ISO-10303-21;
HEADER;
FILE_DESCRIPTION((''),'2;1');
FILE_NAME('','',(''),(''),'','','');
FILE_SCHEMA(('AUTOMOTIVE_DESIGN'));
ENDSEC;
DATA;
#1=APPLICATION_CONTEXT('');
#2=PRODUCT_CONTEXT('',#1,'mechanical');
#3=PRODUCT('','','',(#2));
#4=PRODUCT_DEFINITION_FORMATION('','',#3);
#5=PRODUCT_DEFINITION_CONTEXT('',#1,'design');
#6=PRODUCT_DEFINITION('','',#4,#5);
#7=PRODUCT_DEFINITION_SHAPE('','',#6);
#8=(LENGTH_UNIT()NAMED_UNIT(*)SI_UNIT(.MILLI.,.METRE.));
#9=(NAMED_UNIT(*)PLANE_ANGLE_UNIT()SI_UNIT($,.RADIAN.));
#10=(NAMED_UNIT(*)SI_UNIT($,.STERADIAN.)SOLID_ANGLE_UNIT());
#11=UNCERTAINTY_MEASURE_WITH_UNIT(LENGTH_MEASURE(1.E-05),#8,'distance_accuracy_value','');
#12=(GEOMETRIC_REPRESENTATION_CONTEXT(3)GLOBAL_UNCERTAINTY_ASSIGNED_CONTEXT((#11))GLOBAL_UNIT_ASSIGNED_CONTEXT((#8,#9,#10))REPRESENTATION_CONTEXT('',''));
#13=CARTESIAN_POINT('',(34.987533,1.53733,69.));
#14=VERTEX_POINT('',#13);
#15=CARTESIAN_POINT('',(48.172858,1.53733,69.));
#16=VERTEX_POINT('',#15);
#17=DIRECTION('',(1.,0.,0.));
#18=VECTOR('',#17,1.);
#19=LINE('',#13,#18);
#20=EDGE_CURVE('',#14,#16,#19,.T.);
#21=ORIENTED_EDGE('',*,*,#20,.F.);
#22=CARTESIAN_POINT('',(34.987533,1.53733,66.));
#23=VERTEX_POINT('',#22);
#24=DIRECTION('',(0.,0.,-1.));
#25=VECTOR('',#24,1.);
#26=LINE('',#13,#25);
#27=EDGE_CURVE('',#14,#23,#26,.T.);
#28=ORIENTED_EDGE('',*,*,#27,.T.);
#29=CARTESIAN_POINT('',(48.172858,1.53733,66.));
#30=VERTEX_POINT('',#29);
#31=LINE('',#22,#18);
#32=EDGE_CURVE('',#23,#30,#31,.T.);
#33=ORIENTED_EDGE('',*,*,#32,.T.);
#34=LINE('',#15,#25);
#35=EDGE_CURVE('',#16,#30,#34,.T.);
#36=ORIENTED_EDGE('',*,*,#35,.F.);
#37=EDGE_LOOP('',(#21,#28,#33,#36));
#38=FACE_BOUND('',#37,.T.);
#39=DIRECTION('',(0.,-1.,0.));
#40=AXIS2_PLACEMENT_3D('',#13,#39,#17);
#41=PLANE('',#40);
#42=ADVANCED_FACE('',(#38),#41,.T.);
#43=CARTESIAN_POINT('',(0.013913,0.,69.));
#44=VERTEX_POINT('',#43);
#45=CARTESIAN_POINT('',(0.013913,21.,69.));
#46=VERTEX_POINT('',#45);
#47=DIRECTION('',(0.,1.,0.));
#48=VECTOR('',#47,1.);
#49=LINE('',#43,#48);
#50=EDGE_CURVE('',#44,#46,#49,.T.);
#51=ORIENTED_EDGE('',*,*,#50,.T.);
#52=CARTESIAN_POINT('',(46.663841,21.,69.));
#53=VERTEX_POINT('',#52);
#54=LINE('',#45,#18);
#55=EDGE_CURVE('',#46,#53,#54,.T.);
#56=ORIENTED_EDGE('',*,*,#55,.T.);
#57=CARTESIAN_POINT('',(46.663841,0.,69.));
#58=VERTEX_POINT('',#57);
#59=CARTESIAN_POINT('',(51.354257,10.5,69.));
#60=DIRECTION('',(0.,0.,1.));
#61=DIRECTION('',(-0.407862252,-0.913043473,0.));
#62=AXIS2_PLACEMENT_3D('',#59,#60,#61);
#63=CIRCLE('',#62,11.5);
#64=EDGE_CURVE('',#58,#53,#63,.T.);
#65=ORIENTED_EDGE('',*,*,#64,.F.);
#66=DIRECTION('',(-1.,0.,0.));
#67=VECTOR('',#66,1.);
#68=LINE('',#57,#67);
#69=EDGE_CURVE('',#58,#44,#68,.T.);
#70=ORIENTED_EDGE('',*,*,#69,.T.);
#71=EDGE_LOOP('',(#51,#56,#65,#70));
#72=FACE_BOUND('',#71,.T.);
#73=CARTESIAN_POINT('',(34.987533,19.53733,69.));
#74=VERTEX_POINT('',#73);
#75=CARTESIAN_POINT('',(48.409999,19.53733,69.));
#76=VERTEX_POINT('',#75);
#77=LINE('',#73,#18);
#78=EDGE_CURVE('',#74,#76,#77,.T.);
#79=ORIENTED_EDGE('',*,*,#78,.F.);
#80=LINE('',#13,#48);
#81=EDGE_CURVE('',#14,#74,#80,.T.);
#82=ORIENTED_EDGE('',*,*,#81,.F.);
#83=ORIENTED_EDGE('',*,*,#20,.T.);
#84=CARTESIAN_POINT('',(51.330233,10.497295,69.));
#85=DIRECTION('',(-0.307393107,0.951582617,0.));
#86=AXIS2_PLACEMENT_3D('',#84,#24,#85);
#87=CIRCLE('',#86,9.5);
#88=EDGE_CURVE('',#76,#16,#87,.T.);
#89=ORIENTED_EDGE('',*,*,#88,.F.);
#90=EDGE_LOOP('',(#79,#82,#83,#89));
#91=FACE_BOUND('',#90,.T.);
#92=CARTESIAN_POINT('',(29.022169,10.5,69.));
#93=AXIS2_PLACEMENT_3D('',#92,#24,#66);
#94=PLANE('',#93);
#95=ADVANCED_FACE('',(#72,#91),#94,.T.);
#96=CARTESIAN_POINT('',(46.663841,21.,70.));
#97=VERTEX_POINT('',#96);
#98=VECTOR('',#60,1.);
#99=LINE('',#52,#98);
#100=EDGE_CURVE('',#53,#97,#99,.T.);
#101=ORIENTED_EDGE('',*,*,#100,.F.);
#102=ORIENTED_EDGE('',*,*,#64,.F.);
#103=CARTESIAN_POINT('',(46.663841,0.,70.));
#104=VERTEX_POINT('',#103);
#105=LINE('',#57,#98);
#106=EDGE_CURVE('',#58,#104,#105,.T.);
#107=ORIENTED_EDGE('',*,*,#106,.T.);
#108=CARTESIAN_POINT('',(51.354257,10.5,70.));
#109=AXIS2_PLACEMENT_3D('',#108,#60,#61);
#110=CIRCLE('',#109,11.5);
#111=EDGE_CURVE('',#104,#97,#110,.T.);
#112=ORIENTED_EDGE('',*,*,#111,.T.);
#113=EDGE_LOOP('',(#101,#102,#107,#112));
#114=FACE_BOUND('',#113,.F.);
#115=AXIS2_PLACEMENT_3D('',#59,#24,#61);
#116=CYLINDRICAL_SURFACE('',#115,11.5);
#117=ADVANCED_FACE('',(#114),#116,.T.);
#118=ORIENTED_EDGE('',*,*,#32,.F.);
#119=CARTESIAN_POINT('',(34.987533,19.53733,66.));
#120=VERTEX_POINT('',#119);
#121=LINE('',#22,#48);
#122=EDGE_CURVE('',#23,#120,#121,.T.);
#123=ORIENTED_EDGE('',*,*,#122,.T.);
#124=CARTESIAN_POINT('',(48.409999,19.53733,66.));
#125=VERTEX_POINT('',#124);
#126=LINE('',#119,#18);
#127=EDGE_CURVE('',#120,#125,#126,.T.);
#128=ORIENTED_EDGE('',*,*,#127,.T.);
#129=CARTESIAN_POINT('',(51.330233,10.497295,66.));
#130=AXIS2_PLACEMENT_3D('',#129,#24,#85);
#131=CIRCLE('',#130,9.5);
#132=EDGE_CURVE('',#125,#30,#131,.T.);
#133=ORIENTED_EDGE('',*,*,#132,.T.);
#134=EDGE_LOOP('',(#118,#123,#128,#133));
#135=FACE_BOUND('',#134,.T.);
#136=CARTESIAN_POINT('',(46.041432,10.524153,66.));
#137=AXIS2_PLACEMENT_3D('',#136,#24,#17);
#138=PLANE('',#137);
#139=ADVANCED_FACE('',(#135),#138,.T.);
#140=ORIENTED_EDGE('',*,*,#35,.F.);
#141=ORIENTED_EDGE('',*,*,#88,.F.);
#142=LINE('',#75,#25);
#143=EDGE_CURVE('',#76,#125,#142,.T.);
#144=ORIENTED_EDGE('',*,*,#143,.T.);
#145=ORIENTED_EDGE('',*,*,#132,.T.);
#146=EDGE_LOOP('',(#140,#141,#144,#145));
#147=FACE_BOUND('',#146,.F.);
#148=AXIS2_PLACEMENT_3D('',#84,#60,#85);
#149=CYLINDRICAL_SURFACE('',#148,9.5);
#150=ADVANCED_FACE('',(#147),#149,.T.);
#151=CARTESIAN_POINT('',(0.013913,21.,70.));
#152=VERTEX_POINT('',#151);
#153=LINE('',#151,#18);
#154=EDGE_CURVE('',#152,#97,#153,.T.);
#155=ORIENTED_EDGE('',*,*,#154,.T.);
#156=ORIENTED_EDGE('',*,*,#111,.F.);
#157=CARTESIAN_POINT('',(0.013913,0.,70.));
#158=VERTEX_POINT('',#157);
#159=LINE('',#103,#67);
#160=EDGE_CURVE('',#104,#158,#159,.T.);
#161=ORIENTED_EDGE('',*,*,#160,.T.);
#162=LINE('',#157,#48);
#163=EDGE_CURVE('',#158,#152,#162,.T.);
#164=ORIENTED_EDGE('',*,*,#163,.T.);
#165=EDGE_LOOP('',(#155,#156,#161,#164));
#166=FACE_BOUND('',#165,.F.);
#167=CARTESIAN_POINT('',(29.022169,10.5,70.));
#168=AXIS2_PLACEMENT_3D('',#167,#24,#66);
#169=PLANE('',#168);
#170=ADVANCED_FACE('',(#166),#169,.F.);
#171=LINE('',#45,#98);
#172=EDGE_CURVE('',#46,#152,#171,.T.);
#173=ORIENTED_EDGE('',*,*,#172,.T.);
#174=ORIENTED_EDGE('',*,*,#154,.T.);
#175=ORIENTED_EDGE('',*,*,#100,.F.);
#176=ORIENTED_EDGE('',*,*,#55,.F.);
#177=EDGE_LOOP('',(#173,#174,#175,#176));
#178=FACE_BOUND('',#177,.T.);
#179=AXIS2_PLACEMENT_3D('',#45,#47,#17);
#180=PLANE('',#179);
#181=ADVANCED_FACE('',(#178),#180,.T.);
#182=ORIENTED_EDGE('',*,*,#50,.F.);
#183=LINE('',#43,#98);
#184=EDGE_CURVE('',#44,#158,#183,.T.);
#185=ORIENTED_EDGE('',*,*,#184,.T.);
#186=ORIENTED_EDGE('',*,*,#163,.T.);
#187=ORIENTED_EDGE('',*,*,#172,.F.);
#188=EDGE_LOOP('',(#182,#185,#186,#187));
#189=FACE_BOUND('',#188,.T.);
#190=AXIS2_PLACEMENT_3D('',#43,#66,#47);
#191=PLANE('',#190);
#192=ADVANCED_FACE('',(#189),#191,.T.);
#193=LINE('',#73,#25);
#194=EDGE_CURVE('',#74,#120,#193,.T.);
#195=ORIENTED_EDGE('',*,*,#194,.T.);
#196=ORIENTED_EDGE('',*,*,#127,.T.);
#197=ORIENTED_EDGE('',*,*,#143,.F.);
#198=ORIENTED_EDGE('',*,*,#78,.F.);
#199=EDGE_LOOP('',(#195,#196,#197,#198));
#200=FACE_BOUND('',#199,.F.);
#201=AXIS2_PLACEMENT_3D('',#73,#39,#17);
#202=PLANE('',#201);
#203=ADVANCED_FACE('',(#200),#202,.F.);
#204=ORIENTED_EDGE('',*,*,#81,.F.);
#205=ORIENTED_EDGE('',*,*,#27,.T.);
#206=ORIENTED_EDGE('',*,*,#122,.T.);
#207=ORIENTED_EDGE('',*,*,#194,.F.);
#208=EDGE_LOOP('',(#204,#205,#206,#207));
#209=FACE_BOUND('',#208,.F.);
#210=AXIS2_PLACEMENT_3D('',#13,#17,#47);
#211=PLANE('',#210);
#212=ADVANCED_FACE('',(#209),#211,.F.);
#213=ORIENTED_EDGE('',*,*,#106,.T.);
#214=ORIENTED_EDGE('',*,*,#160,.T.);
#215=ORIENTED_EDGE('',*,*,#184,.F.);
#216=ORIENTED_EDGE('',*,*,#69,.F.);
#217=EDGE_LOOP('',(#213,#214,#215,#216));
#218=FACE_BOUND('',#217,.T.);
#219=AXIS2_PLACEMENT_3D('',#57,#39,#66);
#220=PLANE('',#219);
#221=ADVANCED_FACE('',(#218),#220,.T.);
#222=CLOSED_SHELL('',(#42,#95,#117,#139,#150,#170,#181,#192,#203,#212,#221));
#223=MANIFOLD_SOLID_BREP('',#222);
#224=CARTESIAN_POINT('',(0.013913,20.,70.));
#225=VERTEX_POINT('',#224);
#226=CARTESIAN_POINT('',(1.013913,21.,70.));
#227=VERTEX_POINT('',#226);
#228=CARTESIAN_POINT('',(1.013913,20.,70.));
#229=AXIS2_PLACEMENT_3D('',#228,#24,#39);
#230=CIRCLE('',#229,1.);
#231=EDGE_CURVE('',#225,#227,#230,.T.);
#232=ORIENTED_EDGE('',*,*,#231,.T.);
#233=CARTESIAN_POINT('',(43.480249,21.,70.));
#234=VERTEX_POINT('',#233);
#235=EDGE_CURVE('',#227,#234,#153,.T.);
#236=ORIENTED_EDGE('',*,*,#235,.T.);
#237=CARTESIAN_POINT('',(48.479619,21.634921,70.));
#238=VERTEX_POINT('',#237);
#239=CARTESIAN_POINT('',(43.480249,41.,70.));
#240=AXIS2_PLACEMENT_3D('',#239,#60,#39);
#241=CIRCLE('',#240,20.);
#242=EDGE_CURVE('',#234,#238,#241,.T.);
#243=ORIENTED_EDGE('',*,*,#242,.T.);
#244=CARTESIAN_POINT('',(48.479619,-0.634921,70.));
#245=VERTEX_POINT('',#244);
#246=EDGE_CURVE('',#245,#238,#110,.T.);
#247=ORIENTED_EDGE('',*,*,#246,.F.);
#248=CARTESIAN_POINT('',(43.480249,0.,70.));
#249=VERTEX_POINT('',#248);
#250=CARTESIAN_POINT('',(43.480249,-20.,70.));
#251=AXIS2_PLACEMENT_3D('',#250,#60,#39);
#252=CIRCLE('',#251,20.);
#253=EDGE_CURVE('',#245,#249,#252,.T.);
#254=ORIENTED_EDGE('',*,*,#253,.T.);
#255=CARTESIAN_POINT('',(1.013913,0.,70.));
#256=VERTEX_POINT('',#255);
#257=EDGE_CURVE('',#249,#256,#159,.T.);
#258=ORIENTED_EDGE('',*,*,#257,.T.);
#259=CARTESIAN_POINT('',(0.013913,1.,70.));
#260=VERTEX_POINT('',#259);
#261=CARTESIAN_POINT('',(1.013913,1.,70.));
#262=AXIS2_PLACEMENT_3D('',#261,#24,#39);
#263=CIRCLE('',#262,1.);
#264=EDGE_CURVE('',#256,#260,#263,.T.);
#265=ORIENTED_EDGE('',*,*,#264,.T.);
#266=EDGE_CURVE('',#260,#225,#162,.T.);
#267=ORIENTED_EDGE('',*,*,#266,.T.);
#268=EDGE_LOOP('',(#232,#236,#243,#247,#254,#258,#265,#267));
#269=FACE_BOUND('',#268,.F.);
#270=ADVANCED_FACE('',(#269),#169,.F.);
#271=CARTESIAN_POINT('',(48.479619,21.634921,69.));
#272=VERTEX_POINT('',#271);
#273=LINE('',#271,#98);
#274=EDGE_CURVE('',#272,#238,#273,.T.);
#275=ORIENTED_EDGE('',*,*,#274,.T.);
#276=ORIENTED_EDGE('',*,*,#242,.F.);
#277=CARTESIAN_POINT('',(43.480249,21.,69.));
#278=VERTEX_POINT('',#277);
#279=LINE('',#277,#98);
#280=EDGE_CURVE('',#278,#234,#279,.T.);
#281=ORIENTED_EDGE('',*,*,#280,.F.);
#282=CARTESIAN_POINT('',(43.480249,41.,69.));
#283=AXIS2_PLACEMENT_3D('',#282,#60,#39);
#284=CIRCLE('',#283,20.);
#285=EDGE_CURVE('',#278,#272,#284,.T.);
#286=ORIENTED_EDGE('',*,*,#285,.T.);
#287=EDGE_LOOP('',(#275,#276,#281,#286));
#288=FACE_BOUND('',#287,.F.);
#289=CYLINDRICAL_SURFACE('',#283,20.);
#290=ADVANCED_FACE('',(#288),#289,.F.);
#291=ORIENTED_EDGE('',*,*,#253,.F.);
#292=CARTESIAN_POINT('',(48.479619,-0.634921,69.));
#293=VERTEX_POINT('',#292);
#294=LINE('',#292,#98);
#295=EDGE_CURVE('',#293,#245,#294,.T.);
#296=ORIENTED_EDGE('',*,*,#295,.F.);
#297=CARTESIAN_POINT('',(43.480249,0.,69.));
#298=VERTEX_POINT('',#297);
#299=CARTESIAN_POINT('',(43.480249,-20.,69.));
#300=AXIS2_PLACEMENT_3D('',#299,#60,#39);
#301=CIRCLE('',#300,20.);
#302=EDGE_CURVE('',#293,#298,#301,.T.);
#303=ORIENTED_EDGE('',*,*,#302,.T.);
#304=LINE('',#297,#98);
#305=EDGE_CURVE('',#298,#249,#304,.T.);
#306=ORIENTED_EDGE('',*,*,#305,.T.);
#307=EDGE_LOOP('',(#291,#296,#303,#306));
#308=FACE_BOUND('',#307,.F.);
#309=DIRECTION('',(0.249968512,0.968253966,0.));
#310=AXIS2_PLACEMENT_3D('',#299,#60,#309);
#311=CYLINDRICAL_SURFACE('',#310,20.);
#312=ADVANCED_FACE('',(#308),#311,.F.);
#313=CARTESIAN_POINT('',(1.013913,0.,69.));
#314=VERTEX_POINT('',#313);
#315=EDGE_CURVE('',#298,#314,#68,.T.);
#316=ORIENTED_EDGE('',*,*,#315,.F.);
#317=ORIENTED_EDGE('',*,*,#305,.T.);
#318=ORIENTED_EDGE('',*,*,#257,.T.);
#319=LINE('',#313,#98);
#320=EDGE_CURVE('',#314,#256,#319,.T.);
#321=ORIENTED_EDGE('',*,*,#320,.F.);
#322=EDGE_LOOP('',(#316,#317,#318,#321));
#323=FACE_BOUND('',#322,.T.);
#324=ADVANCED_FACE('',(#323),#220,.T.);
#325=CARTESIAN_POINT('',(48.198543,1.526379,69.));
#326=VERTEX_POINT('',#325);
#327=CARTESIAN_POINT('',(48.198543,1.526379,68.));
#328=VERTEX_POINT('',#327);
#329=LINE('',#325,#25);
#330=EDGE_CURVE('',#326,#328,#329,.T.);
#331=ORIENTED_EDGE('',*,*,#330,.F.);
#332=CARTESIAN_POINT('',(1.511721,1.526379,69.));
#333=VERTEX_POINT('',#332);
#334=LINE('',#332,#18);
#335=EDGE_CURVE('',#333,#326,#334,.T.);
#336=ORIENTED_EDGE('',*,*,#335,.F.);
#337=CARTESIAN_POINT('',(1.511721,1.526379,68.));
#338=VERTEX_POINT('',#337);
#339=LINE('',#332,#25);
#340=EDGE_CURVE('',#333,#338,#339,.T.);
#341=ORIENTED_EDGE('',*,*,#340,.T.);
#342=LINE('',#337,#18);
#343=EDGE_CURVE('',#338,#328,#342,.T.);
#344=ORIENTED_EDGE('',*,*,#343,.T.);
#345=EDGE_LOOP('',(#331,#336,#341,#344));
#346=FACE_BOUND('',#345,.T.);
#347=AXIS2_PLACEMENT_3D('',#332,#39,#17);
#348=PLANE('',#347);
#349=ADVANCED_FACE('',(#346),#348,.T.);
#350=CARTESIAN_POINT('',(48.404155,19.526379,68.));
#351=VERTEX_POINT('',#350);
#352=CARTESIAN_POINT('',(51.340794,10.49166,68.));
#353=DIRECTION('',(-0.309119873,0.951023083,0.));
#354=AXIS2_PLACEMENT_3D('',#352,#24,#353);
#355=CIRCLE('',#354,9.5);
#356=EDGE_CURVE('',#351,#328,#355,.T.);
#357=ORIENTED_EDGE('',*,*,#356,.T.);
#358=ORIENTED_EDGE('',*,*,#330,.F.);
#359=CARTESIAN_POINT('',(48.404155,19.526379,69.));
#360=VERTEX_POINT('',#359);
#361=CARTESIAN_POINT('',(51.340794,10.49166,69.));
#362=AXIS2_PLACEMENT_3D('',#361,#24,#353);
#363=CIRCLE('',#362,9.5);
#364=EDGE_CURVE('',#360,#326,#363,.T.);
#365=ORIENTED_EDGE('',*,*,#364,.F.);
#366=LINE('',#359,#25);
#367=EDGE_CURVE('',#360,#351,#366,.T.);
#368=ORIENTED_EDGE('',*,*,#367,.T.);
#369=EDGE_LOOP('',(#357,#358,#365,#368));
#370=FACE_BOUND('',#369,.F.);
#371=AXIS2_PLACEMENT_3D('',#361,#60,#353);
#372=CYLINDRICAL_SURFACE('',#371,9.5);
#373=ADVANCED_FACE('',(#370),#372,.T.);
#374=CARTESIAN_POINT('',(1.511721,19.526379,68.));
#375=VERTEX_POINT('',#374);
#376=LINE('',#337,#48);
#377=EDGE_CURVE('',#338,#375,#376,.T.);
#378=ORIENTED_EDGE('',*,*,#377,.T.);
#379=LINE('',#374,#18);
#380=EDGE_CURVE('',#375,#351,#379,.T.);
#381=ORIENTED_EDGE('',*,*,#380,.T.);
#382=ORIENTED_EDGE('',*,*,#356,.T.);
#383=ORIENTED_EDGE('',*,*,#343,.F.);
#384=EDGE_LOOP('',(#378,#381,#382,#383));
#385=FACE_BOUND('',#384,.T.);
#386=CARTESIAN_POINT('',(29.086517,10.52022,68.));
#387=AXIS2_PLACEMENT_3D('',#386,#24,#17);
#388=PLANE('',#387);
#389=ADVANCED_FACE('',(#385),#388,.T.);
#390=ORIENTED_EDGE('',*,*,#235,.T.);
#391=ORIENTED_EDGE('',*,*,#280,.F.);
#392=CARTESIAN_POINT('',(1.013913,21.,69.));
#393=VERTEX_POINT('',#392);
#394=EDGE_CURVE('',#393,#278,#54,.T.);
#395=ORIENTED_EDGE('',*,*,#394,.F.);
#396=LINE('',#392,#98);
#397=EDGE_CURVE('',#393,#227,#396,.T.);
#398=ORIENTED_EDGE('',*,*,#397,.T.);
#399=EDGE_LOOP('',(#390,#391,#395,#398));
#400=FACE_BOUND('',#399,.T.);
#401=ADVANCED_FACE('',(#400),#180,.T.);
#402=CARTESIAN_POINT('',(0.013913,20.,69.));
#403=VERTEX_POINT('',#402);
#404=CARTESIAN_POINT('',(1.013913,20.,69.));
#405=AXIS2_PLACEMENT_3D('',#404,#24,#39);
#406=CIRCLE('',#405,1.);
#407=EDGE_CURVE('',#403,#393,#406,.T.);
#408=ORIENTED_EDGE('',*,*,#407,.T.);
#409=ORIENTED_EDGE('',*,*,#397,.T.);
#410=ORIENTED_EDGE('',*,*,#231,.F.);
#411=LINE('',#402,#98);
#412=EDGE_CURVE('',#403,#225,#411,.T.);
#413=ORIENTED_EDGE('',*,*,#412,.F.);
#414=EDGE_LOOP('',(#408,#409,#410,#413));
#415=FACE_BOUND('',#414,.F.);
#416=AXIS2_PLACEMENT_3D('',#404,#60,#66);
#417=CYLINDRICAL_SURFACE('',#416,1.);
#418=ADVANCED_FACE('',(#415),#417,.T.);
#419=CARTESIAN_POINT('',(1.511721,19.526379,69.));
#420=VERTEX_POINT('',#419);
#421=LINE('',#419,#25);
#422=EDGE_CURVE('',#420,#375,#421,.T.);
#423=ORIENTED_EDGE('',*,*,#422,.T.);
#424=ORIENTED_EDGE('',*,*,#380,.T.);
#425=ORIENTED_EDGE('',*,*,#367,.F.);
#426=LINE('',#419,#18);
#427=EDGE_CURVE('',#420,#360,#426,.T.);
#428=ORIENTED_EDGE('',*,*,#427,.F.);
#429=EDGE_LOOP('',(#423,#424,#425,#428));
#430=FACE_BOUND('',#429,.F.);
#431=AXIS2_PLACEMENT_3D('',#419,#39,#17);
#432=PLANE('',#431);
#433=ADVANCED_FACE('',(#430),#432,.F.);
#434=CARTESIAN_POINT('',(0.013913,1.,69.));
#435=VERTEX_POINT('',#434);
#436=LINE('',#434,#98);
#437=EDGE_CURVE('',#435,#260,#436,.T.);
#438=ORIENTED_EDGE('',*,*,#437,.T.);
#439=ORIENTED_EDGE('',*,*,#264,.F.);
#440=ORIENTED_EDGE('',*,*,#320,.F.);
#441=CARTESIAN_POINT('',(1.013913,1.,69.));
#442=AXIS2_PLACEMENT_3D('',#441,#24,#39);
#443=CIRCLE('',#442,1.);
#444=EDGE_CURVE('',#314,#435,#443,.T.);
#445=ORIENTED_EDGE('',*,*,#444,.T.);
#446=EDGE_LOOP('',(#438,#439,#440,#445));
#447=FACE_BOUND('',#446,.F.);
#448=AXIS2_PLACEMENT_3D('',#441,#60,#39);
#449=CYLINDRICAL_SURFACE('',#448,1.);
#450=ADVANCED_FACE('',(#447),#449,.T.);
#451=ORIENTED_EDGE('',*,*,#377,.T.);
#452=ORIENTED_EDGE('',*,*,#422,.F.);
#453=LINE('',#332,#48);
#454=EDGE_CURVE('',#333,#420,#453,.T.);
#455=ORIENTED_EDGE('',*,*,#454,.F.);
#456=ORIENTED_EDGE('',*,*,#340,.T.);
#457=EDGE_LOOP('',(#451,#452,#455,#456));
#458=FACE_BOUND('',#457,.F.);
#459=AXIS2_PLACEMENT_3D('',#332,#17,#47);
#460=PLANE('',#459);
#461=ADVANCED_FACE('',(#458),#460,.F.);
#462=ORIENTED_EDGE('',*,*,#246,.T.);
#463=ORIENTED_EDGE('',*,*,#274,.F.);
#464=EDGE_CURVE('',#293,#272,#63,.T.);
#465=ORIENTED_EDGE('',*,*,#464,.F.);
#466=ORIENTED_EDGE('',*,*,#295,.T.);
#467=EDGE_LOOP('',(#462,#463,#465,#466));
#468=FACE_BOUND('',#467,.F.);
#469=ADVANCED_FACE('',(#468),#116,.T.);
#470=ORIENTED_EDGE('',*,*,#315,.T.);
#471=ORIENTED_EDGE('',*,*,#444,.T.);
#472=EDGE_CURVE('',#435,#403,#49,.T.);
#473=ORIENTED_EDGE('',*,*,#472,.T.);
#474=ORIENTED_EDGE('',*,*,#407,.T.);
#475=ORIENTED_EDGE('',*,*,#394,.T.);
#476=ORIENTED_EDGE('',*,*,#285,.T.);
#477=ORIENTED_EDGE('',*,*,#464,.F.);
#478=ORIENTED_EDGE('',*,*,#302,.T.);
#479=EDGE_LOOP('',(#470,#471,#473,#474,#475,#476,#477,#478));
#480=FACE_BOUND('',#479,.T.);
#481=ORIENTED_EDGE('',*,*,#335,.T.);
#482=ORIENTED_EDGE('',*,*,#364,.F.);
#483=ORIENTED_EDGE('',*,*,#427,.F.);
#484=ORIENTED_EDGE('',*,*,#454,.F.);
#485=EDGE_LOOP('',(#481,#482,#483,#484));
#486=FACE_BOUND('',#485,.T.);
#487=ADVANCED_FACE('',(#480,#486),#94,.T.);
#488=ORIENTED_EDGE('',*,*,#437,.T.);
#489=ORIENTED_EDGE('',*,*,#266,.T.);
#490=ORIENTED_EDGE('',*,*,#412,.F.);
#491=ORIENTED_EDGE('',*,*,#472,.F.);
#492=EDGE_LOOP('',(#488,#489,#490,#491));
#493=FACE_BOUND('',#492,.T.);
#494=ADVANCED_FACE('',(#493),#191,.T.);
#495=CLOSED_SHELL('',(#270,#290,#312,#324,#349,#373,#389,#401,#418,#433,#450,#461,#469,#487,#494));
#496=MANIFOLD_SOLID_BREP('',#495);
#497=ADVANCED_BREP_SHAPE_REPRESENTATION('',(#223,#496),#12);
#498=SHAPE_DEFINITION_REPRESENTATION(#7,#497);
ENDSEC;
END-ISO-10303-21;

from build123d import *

# Parameters (mm, degrees)
PAD_DEPTH    = 1
PAD001_DEPTH = 1
FILLET_R     = 20
FILLET001_R  = 20
FILLET002_R  = 1
FILLET003_R  = 1
PAD002_DEPTH = 3


with BuildPart() as pad:
    # Sketch003 → Pad (new body)
    with BuildSketch(Plane.XY.offset(69)):
        with BuildLine():
            Line((0.013913, 21), (46.663841, 21))
            ThreePointArc((46.663841, 0), (62.854257, 10.5), (46.663841, 21))
            Line((46.663841, 0), (0.013913, 0))
            Line((0.013913, 0), (0.013913, 21))
        make_face()
    extrude(amount=PAD_DEPTH)


with BuildPart() as fillet003:
    # Pad001 base: copy of Pad
    add(pad.part)

    # Sketch → Pad001 (new body)
    with BuildSketch(Plane(origin=(0, 0, 69), x_dir=(1, 0, 0), z_dir=(0, 0, -1))):
        with BuildLine():
            Line((1.511721, -19.526379), (48.404155, -19.526379))
            ThreePointArc((48.404155, -19.526379), (60.840174, -10.38315), (48.198543, -1.526379))
            Line((1.511721, -1.526379), (48.198543, -1.526379))
            Line((1.511721, -1.526379), (1.511721, -19.526379))
        make_face()
    extrude(amount=PAD001_DEPTH)

    # Fillet
    fillet_edges = [fillet003.edges().sort_by_distance(p)[0] for p in [
        (46.663841, 21, 69.5),
    ]]
    fillet(fillet_edges, radius=FILLET_R)

    # Fillet001
    fillet001_edges = [fillet003.edges().sort_by_distance(p)[0] for p in [
        (46.663841, 0, 69.5),
    ]]
    fillet(fillet001_edges, radius=FILLET001_R)

    # Fillet002
    fillet002_edges = [fillet003.edges().sort_by_distance(p)[0] for p in [
        (0.013913, 0, 69.5),
    ]]
    fillet(fillet002_edges, radius=FILLET002_R)

    # Fillet003
    fillet003_edges = [fillet003.edges().sort_by_distance(p)[0] for p in [
        (0.013913, 21, 69.5),
    ]]
    fillet(fillet003_edges, radius=FILLET003_R)


with BuildPart() as pad002:
    # Pad002 base: copy of Pad
    add(pad.part)

    # Sketch004 → Pad002 (new body)
    with BuildSketch(Plane(origin=(0, 0, 69), x_dir=(1, 0, 0), z_dir=(0, 0, -1))):
        with BuildLine():
            Line((34.987533, -19.53733), (48.409999, -19.53733))
            ThreePointArc((48.409999, -19.53733), (60.829409, -10.372148), (48.172858, -1.53733))
            Line((34.987533, -1.53733), (48.172858, -1.53733))
            Line((34.987533, -1.53733), (34.987533, -19.53733))
        make_face()
    extrude(amount=PAD002_DEPTH)


solid = Compound([fillet003.part, pad002.part])
